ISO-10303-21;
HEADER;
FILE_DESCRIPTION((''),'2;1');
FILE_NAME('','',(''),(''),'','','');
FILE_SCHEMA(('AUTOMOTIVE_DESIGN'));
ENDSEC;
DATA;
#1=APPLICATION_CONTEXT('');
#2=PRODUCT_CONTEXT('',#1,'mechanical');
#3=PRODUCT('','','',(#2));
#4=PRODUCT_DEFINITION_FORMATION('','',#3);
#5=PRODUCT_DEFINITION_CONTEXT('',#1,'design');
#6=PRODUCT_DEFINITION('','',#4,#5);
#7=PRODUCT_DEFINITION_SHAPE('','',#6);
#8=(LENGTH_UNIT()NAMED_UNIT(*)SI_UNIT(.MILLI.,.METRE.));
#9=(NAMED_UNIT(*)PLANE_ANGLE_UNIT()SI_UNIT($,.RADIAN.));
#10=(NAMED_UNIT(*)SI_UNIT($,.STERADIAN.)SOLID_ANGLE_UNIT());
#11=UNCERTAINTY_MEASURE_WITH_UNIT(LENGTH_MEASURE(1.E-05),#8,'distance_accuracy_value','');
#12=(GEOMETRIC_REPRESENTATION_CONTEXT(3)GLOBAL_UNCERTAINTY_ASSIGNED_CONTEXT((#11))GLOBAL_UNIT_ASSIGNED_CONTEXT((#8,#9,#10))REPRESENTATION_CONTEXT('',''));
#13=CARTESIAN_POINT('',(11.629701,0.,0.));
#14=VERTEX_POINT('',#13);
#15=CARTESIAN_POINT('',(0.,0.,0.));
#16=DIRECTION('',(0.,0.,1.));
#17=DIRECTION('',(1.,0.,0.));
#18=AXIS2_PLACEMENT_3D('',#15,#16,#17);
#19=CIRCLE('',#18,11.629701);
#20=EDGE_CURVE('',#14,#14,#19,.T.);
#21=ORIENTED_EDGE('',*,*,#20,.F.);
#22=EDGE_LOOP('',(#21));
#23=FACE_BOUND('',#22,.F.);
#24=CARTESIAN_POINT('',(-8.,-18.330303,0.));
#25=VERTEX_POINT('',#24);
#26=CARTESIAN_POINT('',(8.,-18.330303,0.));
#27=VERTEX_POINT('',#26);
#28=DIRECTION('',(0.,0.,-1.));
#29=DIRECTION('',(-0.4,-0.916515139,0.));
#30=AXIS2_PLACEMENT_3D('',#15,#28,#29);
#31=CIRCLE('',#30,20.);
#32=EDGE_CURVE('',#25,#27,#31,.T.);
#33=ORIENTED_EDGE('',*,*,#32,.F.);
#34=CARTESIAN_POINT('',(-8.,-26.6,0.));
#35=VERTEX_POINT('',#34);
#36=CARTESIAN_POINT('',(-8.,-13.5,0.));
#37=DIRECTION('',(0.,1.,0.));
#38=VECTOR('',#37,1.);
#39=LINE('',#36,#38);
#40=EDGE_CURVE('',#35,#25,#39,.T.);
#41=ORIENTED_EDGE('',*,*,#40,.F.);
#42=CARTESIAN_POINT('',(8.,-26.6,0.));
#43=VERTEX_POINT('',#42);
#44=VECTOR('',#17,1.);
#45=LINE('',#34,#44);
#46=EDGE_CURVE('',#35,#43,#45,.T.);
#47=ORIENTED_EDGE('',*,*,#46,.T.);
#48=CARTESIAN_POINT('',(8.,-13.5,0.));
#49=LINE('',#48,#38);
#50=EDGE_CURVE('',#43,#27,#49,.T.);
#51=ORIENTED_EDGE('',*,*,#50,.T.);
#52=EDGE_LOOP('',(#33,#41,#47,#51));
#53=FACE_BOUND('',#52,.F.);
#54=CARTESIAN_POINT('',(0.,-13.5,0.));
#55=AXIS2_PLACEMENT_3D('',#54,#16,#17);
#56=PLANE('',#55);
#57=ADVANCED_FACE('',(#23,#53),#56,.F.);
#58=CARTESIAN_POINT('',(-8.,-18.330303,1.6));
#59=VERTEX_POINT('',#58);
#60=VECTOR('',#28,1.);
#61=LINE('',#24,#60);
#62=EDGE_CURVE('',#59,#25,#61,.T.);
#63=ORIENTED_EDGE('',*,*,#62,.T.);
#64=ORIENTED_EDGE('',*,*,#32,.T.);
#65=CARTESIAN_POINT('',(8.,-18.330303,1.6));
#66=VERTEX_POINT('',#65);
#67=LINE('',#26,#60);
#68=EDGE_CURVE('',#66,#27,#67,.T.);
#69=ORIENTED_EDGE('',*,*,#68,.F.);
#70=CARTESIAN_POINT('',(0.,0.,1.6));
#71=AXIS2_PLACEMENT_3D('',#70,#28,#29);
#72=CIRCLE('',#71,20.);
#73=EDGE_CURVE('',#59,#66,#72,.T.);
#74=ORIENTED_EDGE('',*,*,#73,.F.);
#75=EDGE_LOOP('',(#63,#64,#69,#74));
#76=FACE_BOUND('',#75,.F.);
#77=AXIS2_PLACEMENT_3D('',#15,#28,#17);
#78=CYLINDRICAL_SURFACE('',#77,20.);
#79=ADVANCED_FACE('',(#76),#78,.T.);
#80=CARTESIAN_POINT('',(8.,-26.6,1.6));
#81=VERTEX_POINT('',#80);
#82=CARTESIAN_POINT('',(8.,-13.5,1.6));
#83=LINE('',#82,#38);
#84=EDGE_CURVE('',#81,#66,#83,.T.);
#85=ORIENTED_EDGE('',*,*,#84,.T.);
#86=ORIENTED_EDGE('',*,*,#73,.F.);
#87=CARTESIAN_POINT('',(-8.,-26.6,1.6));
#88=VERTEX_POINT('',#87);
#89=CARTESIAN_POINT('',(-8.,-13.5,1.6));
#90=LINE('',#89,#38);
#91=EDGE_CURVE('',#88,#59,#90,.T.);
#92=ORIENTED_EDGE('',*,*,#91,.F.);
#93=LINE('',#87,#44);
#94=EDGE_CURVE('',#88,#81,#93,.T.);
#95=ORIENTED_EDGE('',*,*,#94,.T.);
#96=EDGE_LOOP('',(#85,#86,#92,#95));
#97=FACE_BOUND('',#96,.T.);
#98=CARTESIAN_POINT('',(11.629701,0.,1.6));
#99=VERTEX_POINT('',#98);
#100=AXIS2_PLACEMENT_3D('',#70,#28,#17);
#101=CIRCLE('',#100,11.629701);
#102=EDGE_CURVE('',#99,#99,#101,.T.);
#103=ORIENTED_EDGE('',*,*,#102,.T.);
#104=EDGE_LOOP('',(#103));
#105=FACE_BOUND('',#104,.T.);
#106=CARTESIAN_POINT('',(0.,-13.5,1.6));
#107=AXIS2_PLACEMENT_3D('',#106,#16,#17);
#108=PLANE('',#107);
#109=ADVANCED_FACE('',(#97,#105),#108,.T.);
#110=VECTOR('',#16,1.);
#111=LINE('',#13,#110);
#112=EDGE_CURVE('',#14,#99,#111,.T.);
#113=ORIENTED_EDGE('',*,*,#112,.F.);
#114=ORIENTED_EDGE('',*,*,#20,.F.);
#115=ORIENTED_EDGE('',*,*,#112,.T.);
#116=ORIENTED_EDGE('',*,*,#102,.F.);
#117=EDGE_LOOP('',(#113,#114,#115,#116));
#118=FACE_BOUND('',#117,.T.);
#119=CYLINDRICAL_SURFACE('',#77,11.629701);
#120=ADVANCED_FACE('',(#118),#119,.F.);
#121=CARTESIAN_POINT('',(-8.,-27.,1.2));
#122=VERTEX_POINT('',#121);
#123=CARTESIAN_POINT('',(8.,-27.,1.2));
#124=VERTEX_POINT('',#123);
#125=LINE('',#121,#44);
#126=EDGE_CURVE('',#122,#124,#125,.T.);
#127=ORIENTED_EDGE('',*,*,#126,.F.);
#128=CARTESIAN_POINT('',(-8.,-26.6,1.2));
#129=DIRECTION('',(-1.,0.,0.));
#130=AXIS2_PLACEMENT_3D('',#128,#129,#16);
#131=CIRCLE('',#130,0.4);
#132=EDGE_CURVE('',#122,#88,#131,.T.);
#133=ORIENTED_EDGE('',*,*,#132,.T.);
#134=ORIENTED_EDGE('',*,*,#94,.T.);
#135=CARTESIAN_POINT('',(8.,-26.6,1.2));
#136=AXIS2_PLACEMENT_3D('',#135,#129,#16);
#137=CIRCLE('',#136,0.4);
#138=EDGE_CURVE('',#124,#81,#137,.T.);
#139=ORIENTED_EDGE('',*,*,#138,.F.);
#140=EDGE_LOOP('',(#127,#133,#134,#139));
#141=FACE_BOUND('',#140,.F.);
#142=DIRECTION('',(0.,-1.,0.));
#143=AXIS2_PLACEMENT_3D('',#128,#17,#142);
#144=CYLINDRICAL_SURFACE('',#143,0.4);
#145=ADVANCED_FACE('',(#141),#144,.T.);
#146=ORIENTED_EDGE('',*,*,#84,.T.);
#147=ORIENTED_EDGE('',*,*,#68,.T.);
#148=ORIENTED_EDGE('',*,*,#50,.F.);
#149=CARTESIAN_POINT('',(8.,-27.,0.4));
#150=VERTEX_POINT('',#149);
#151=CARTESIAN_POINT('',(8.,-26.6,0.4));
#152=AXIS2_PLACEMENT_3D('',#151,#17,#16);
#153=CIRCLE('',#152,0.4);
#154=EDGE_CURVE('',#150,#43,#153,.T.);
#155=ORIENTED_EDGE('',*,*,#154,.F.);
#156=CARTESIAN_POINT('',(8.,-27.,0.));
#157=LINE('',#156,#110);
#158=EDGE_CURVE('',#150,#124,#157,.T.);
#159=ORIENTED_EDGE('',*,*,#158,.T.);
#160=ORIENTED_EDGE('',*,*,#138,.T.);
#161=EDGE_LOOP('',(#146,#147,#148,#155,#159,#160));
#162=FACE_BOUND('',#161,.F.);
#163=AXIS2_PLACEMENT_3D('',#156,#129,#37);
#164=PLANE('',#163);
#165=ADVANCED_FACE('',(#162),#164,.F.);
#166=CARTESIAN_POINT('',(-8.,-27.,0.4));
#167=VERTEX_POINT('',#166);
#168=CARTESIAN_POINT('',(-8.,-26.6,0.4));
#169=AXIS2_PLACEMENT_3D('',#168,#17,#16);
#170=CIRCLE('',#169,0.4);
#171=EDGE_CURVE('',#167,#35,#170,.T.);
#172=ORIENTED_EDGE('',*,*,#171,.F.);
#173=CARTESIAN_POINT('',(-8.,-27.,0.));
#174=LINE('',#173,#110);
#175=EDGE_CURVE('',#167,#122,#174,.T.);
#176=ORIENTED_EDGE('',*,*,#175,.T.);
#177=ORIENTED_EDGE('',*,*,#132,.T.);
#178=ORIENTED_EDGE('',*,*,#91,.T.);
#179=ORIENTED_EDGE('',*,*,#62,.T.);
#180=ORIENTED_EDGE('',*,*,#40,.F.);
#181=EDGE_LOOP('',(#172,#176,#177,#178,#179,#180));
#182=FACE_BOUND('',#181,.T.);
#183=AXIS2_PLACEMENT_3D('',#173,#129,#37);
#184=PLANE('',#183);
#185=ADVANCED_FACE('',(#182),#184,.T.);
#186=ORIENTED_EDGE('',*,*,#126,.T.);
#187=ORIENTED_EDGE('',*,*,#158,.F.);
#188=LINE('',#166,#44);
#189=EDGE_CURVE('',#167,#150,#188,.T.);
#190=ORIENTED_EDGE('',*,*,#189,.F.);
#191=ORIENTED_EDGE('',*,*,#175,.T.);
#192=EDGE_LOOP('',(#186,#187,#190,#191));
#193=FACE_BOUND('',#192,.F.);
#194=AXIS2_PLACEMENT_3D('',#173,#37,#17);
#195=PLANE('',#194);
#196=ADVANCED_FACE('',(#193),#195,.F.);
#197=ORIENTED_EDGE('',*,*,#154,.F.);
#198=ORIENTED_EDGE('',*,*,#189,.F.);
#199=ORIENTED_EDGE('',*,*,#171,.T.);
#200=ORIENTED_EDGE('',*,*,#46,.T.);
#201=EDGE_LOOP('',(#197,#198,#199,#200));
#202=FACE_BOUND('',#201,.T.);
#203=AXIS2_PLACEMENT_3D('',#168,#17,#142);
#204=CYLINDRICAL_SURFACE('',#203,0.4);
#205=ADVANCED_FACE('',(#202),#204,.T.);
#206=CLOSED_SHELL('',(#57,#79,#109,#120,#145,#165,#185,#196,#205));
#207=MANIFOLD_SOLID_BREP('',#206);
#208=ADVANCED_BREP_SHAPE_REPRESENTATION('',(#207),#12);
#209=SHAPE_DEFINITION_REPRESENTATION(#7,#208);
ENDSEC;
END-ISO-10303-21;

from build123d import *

# Parameters (mm, degrees)
SKETCH_R        = 20
PAD_DEPTH       = 1.6
SKETCH001_W     = 16
SKETCH001_H     = 27
PAD001_DEPTH    = 1.6
FILLET_R        = 0.4
SKETCH002_R     = 11.629701
POCKET_DEPTH    = 0.001
POCKET001_DEPTH = 1.601


with BuildPart() as part:
    # Sketch → Pad (new body)
    with BuildSketch(Plane.XY):
        Circle(SKETCH_R)
    extrude(amount=PAD_DEPTH)

    # Sketch001 → Pad001 (join)
    with BuildSketch(Plane.XY):
        with Locations((0, -13.5)):
            Rectangle(SKETCH001_W, SKETCH001_H)
    extrude(amount=PAD001_DEPTH)

    # Fillet
    fillet_edges = [part.edges().sort_by_distance(p)[0] for p in [
        (0, -27, 1.6),
        (0, -27, 0),
    ]]
    fillet(fillet_edges, radius=FILLET_R)

    # Sketch002 → Pocket (cut, through all)
    with BuildSketch(Plane.XY):
        Circle(SKETCH002_R)
    extrude(amount=-POCKET_DEPTH, mode=Mode.SUBTRACT)

    # Sketch002 → Pocket001 (cut, through all)
    with BuildSketch(Plane.XY):
        Circle(SKETCH002_R)
    extrude(amount=POCKET001_DEPTH, mode=Mode.SUBTRACT)


solid = part.part
